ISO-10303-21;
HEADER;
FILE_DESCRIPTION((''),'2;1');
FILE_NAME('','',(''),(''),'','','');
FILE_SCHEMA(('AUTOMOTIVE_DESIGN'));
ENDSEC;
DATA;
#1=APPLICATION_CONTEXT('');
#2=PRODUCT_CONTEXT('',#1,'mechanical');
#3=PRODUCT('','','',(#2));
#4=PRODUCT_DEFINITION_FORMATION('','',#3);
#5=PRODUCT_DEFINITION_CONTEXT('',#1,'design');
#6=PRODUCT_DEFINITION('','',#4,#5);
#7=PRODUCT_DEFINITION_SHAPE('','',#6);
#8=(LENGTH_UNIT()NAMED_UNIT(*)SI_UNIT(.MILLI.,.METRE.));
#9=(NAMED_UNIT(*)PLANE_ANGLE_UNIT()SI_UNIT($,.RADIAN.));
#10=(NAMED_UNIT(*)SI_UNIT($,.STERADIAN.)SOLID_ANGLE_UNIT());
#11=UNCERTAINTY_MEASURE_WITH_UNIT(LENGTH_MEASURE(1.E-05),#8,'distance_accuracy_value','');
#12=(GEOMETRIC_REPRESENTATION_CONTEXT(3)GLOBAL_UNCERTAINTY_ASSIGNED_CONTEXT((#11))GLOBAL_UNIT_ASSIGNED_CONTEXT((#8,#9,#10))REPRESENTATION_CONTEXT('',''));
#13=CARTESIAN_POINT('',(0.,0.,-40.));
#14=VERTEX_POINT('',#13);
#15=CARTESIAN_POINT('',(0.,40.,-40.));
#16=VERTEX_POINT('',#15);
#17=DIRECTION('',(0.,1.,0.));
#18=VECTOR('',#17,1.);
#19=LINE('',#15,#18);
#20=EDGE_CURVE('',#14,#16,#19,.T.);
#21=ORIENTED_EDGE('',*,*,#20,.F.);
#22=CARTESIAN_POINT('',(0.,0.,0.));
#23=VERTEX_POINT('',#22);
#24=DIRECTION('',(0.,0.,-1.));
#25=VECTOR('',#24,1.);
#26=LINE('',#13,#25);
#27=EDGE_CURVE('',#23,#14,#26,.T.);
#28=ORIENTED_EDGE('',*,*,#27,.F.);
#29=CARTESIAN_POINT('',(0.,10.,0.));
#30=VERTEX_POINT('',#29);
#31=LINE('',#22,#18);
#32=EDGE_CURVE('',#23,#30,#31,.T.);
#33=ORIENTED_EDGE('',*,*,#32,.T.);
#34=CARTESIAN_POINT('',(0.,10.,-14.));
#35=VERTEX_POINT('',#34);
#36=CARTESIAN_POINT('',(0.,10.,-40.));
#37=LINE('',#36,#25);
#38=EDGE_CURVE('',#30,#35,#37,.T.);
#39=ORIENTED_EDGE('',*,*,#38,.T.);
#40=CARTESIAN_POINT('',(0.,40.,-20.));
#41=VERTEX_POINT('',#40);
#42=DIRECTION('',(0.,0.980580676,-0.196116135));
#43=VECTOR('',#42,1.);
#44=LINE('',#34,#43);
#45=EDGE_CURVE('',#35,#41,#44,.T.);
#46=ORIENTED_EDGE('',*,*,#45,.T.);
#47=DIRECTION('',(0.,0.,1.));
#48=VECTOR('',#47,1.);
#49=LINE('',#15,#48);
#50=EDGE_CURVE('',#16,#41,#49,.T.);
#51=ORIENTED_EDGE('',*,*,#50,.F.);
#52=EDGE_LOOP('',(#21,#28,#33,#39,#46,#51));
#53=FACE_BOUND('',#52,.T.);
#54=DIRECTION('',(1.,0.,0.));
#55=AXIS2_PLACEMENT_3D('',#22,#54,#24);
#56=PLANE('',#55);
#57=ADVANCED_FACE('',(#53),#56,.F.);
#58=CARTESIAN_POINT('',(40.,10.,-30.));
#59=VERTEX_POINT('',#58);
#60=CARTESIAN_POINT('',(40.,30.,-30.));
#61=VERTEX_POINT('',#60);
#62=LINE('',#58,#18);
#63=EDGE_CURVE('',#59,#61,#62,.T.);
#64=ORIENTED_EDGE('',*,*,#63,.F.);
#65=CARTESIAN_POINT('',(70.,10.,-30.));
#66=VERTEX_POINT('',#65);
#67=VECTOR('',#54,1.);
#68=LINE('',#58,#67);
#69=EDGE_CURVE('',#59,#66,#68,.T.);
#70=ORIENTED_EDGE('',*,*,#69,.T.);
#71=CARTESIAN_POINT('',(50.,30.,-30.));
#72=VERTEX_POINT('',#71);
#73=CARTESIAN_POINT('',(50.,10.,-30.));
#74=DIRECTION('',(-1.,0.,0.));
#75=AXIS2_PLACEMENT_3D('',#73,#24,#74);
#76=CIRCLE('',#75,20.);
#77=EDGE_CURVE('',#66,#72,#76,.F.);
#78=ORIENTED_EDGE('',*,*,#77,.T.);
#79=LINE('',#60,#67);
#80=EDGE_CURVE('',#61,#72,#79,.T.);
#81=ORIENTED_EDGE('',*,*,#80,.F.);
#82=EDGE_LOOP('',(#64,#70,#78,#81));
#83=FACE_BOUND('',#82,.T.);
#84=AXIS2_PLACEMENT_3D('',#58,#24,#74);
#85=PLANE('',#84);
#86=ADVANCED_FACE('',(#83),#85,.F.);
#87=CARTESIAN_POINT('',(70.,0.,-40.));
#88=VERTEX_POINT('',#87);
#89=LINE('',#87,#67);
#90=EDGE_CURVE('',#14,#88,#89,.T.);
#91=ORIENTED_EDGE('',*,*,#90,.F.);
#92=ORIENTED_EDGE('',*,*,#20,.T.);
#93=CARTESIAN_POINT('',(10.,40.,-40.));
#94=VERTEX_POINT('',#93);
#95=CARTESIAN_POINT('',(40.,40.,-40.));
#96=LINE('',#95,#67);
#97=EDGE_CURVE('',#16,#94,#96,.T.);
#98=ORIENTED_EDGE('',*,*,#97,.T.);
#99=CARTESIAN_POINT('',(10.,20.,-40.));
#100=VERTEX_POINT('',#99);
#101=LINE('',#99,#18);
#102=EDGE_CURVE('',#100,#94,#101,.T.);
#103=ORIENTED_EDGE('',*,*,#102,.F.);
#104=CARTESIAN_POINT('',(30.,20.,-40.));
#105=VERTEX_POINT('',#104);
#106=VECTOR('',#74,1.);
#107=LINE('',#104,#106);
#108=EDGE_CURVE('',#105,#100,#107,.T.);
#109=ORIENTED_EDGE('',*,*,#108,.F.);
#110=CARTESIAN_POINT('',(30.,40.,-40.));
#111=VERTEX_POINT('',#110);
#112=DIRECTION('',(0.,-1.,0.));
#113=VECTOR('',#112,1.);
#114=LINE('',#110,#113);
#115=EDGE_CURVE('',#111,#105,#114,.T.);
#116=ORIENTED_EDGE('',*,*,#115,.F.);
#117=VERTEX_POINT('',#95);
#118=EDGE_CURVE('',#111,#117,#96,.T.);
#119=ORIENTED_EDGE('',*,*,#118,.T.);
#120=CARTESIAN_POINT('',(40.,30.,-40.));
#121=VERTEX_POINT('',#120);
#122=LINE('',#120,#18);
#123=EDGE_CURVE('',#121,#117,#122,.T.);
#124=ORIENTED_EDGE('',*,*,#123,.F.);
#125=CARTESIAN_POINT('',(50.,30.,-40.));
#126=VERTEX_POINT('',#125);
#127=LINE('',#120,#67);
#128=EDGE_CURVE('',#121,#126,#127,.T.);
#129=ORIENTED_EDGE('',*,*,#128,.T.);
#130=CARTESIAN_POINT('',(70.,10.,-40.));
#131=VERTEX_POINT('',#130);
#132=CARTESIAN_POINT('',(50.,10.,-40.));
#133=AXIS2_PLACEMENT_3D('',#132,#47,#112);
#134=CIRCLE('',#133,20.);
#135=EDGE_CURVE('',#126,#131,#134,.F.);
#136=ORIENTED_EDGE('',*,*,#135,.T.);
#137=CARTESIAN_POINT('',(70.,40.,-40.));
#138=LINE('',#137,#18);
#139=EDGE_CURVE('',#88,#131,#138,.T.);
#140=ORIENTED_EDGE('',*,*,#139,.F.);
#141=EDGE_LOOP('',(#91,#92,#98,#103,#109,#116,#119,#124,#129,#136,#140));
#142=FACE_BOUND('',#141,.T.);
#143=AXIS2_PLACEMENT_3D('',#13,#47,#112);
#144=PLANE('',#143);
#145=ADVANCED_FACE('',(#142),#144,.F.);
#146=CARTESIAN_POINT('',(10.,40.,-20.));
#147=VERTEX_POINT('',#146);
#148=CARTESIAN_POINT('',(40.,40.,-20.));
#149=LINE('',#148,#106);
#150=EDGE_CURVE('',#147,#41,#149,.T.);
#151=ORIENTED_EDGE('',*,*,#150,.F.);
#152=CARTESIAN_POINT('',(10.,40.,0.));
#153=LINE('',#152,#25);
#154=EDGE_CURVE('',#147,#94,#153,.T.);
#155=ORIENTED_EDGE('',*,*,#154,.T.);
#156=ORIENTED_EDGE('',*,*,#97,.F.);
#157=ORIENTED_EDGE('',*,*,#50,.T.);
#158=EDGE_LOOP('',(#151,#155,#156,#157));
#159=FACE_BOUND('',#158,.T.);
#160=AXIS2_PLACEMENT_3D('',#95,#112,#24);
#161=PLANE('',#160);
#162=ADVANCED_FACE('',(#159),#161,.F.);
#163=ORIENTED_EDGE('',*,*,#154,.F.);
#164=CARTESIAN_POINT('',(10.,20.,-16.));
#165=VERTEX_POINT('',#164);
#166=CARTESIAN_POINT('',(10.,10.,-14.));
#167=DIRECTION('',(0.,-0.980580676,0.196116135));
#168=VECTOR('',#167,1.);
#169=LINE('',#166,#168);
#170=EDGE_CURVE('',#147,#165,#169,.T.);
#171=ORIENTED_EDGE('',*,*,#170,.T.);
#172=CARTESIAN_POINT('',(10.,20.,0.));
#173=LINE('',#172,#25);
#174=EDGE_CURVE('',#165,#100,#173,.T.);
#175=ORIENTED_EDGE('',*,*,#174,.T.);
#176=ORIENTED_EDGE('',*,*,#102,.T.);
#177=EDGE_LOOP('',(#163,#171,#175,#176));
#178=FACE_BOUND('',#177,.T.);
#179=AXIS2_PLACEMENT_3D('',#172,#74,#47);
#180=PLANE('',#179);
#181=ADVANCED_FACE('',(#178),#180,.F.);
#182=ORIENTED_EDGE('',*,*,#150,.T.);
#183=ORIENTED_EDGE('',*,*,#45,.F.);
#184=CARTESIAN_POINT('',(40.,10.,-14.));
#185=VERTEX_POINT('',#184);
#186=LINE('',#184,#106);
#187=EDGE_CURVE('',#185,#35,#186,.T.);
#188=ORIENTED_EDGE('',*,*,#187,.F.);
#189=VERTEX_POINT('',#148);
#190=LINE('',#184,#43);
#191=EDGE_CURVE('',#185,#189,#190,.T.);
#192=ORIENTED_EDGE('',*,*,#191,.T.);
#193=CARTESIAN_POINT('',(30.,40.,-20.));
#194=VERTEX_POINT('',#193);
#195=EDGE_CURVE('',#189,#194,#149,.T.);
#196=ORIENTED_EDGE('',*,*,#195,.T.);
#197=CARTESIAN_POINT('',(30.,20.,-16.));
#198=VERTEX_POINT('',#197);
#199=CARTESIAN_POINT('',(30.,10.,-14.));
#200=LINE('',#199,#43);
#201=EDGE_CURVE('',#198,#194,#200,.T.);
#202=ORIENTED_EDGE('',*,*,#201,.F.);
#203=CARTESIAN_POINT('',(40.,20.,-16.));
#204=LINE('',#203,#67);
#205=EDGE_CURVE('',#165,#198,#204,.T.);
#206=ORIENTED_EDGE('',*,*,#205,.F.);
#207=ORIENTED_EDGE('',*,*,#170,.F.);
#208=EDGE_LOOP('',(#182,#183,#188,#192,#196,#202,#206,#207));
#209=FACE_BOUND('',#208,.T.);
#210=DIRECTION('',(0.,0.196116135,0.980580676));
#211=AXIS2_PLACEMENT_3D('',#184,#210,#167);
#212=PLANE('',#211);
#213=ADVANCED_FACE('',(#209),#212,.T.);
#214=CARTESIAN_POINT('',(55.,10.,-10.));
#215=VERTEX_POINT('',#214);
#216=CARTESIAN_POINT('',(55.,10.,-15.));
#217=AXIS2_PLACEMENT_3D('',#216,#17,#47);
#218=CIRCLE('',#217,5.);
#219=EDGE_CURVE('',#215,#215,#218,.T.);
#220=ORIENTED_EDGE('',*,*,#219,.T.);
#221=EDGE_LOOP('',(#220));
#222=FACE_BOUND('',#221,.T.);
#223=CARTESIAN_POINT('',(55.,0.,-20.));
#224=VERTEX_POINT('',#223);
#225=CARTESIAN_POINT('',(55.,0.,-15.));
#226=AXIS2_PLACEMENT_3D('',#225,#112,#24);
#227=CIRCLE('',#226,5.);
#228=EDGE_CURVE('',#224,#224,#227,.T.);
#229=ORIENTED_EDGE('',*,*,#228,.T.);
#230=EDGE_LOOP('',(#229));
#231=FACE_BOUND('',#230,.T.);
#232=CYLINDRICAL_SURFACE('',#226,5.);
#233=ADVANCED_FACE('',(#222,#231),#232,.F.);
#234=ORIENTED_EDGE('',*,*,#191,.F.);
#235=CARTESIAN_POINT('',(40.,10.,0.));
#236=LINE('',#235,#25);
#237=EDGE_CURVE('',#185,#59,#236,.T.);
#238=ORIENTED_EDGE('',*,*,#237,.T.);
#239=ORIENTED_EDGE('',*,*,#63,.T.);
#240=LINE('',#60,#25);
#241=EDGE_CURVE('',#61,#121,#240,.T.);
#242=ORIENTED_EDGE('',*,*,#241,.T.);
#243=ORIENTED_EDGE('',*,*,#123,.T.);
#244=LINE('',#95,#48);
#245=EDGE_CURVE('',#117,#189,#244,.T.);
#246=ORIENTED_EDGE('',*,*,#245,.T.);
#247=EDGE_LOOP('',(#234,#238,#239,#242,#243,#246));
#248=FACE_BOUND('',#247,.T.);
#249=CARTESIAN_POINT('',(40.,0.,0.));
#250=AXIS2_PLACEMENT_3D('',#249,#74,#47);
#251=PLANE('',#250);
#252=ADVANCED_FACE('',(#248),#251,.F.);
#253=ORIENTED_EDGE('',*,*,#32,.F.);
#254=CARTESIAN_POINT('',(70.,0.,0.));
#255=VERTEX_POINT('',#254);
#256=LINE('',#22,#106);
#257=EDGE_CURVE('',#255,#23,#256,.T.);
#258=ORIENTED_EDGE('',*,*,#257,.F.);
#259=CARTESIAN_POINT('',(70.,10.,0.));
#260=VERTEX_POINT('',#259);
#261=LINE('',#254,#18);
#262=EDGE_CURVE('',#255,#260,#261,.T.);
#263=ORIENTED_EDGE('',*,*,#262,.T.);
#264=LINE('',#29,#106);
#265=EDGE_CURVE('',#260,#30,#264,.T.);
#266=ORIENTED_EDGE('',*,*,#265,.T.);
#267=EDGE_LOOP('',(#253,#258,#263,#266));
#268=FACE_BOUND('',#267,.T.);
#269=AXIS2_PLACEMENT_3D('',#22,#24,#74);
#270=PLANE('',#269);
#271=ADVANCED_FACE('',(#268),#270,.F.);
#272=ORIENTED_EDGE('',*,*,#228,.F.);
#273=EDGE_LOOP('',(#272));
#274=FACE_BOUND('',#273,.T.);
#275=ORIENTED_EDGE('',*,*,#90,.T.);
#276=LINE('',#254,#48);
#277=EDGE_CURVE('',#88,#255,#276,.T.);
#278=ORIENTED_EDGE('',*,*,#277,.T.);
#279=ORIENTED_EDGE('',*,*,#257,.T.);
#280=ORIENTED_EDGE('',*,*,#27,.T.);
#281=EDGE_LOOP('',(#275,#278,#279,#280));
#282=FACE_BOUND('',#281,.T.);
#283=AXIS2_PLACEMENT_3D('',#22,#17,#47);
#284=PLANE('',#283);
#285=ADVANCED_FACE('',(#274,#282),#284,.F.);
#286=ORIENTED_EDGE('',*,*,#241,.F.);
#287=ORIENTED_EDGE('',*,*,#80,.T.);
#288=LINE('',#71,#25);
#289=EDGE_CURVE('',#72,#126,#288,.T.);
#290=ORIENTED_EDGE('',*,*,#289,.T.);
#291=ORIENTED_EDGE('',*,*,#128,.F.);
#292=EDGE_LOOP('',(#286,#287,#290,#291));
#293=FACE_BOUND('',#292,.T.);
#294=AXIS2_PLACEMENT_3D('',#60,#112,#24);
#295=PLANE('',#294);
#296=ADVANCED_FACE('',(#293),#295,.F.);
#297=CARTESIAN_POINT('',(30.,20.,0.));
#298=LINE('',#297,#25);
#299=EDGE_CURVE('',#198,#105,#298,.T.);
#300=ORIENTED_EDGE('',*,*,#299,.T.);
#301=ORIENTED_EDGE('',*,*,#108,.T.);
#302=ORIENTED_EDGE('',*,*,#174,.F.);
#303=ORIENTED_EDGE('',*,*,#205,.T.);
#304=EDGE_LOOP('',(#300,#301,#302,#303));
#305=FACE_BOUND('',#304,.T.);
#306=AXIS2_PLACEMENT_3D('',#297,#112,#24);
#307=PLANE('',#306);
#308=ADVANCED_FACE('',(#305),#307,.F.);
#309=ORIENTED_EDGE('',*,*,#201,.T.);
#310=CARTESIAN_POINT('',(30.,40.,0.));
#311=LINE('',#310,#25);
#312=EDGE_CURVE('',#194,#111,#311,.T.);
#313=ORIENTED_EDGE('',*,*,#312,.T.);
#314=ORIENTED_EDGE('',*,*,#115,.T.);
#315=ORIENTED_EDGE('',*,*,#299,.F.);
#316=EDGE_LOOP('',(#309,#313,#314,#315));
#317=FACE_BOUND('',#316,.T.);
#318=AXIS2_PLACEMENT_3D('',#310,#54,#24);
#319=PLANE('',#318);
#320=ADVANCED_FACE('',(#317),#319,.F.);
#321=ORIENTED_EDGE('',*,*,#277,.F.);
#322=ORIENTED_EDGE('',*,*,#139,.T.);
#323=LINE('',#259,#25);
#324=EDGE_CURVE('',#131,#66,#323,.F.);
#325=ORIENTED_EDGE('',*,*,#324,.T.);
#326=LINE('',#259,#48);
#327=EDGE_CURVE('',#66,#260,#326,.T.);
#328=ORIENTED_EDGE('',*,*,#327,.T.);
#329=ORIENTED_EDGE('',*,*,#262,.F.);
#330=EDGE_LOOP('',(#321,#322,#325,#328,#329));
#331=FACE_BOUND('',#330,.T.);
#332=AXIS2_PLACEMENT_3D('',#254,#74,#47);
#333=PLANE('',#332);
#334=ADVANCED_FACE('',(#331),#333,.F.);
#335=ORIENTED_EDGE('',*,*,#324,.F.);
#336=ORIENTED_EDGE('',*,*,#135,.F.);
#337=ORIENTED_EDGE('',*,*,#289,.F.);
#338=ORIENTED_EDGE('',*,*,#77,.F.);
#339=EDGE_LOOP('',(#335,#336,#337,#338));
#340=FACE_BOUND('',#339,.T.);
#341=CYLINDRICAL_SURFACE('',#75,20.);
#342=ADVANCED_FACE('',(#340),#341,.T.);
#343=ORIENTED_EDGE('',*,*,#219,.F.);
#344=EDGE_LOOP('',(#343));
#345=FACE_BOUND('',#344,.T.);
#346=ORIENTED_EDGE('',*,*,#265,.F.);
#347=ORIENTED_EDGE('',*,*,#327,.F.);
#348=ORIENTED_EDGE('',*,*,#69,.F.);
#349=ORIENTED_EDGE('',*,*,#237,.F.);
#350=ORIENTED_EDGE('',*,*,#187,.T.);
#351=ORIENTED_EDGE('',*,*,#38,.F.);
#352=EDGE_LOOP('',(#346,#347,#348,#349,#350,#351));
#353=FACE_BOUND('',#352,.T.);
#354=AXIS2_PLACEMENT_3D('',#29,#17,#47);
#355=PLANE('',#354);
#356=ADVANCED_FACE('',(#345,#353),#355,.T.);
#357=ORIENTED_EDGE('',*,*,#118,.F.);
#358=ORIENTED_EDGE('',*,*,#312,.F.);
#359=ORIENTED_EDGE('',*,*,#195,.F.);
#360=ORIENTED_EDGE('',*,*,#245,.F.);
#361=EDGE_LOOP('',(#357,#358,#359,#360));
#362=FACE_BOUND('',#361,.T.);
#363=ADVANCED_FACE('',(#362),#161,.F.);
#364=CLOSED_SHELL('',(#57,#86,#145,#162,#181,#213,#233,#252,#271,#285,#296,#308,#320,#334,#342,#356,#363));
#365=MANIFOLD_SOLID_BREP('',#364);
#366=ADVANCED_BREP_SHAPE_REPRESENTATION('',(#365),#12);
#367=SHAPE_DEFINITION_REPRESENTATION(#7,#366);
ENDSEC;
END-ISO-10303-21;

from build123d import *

# Parameters (mm, degrees)
BOSS_EXTRUDE1_DEPTH            = 40
SKETCH2_W                      = 40
SKETCH2_H                      = 30
BOSS_EXTRUDE2_DEPTH            = 20
BOSS_EXTRUDE3_DEPTH            = 30
CUT_EXTRUDE1_DEPTH             = 30
SKETCH5_W                      = 70
SKETCH5_H                      = 40
BOSS_EXTRUDE4_DEPTH            = 10
SKETCH6_W                      = 20
SKETCH6_H                      = 20
CUT_EXTRUDE2_DEPTH             = 41
F_10_0_10_DIAMETER_HOLE1_D     = 10
F_10_0_10_DIAMETER_HOLE1_DEPTH = 40
FILLET1_R                      = 20


with BuildPart() as part:
    # Sketch1 → Boss-Extrude1 (new body)
    with BuildSketch(Plane(origin=(0, 0, 0), x_dir=(0, -1, 0), z_dir=(-1, 0, 0))):
        Polygon((-10, -14), (-40, -20), (-10, -20), align=None)
    extrude(amount=-BOSS_EXTRUDE1_DEPTH)

    # Sketch2 → Boss-Extrude2 (add)
    with BuildSketch(Plane(origin=(0, 0, -20), x_dir=(-1, 0, 0), z_dir=(0, 0, -1))):
        with Locations((-20, 25)):
            Rectangle(SKETCH2_W, SKETCH2_H)
    extrude(amount=BOSS_EXTRUDE2_DEPTH)

    # Sketch3 → Boss-Extrude3 (add)
    with BuildSketch(Plane(origin=(40, 0, 0), x_dir=(0, 0, -1), z_dir=(1, 0, 0))):
        Polygon((40, 10), (0, 10), (20, 40), (40, 40), align=None)
    extrude(amount=BOSS_EXTRUDE3_DEPTH)

    # Sketch4 → Cut-Extrude1 (cut)
    with BuildSketch(Plane(origin=(70, 0, 0), x_dir=(0, 0, -1), z_dir=(1, 0, 0))):
        Polygon((20, 40), (0, 10), (30, 10), (30, 30), (40, 30), (40, 40), align=None)
    extrude(amount=-CUT_EXTRUDE1_DEPTH, mode=Mode.SUBTRACT)

    # Sketch5 → Boss-Extrude4 (add)
    with BuildSketch(Plane.XZ.offset(-10)):
        with Locations((35, -20)):
            Rectangle(SKETCH5_W, SKETCH5_H)
    extrude(amount=BOSS_EXTRUDE4_DEPTH)

    # Sketch6 → Cut-Extrude2 (cut, through all)
    with BuildSketch(Plane(origin=(0, 0, -40), x_dir=(-1, 0, 0), z_dir=(0, 0, -1))):
        with Locations((-20, 30)):
            Rectangle(SKETCH6_W, SKETCH6_H)
    extrude(amount=-CUT_EXTRUDE2_DEPTH, mode=Mode.SUBTRACT)

    # Ø10.0 (10) Diameter Hole1
    with Locations(Plane(origin=(0, 0, 0), x_dir=(-1, 0, 0), z_dir=(0, -1, 0))):
        with Locations((-55, 15)):
            Hole(F_10_0_10_DIAMETER_HOLE1_D / 2, depth=F_10_0_10_DIAMETER_HOLE1_DEPTH)

    # Fillet1
    fillet1_edges = [part.edges().sort_by_distance(p)[0] for p in [
        (70, 30, -35),
    ]]
    fillet(fillet1_edges, radius=FILLET1_R)


solid = part.part
